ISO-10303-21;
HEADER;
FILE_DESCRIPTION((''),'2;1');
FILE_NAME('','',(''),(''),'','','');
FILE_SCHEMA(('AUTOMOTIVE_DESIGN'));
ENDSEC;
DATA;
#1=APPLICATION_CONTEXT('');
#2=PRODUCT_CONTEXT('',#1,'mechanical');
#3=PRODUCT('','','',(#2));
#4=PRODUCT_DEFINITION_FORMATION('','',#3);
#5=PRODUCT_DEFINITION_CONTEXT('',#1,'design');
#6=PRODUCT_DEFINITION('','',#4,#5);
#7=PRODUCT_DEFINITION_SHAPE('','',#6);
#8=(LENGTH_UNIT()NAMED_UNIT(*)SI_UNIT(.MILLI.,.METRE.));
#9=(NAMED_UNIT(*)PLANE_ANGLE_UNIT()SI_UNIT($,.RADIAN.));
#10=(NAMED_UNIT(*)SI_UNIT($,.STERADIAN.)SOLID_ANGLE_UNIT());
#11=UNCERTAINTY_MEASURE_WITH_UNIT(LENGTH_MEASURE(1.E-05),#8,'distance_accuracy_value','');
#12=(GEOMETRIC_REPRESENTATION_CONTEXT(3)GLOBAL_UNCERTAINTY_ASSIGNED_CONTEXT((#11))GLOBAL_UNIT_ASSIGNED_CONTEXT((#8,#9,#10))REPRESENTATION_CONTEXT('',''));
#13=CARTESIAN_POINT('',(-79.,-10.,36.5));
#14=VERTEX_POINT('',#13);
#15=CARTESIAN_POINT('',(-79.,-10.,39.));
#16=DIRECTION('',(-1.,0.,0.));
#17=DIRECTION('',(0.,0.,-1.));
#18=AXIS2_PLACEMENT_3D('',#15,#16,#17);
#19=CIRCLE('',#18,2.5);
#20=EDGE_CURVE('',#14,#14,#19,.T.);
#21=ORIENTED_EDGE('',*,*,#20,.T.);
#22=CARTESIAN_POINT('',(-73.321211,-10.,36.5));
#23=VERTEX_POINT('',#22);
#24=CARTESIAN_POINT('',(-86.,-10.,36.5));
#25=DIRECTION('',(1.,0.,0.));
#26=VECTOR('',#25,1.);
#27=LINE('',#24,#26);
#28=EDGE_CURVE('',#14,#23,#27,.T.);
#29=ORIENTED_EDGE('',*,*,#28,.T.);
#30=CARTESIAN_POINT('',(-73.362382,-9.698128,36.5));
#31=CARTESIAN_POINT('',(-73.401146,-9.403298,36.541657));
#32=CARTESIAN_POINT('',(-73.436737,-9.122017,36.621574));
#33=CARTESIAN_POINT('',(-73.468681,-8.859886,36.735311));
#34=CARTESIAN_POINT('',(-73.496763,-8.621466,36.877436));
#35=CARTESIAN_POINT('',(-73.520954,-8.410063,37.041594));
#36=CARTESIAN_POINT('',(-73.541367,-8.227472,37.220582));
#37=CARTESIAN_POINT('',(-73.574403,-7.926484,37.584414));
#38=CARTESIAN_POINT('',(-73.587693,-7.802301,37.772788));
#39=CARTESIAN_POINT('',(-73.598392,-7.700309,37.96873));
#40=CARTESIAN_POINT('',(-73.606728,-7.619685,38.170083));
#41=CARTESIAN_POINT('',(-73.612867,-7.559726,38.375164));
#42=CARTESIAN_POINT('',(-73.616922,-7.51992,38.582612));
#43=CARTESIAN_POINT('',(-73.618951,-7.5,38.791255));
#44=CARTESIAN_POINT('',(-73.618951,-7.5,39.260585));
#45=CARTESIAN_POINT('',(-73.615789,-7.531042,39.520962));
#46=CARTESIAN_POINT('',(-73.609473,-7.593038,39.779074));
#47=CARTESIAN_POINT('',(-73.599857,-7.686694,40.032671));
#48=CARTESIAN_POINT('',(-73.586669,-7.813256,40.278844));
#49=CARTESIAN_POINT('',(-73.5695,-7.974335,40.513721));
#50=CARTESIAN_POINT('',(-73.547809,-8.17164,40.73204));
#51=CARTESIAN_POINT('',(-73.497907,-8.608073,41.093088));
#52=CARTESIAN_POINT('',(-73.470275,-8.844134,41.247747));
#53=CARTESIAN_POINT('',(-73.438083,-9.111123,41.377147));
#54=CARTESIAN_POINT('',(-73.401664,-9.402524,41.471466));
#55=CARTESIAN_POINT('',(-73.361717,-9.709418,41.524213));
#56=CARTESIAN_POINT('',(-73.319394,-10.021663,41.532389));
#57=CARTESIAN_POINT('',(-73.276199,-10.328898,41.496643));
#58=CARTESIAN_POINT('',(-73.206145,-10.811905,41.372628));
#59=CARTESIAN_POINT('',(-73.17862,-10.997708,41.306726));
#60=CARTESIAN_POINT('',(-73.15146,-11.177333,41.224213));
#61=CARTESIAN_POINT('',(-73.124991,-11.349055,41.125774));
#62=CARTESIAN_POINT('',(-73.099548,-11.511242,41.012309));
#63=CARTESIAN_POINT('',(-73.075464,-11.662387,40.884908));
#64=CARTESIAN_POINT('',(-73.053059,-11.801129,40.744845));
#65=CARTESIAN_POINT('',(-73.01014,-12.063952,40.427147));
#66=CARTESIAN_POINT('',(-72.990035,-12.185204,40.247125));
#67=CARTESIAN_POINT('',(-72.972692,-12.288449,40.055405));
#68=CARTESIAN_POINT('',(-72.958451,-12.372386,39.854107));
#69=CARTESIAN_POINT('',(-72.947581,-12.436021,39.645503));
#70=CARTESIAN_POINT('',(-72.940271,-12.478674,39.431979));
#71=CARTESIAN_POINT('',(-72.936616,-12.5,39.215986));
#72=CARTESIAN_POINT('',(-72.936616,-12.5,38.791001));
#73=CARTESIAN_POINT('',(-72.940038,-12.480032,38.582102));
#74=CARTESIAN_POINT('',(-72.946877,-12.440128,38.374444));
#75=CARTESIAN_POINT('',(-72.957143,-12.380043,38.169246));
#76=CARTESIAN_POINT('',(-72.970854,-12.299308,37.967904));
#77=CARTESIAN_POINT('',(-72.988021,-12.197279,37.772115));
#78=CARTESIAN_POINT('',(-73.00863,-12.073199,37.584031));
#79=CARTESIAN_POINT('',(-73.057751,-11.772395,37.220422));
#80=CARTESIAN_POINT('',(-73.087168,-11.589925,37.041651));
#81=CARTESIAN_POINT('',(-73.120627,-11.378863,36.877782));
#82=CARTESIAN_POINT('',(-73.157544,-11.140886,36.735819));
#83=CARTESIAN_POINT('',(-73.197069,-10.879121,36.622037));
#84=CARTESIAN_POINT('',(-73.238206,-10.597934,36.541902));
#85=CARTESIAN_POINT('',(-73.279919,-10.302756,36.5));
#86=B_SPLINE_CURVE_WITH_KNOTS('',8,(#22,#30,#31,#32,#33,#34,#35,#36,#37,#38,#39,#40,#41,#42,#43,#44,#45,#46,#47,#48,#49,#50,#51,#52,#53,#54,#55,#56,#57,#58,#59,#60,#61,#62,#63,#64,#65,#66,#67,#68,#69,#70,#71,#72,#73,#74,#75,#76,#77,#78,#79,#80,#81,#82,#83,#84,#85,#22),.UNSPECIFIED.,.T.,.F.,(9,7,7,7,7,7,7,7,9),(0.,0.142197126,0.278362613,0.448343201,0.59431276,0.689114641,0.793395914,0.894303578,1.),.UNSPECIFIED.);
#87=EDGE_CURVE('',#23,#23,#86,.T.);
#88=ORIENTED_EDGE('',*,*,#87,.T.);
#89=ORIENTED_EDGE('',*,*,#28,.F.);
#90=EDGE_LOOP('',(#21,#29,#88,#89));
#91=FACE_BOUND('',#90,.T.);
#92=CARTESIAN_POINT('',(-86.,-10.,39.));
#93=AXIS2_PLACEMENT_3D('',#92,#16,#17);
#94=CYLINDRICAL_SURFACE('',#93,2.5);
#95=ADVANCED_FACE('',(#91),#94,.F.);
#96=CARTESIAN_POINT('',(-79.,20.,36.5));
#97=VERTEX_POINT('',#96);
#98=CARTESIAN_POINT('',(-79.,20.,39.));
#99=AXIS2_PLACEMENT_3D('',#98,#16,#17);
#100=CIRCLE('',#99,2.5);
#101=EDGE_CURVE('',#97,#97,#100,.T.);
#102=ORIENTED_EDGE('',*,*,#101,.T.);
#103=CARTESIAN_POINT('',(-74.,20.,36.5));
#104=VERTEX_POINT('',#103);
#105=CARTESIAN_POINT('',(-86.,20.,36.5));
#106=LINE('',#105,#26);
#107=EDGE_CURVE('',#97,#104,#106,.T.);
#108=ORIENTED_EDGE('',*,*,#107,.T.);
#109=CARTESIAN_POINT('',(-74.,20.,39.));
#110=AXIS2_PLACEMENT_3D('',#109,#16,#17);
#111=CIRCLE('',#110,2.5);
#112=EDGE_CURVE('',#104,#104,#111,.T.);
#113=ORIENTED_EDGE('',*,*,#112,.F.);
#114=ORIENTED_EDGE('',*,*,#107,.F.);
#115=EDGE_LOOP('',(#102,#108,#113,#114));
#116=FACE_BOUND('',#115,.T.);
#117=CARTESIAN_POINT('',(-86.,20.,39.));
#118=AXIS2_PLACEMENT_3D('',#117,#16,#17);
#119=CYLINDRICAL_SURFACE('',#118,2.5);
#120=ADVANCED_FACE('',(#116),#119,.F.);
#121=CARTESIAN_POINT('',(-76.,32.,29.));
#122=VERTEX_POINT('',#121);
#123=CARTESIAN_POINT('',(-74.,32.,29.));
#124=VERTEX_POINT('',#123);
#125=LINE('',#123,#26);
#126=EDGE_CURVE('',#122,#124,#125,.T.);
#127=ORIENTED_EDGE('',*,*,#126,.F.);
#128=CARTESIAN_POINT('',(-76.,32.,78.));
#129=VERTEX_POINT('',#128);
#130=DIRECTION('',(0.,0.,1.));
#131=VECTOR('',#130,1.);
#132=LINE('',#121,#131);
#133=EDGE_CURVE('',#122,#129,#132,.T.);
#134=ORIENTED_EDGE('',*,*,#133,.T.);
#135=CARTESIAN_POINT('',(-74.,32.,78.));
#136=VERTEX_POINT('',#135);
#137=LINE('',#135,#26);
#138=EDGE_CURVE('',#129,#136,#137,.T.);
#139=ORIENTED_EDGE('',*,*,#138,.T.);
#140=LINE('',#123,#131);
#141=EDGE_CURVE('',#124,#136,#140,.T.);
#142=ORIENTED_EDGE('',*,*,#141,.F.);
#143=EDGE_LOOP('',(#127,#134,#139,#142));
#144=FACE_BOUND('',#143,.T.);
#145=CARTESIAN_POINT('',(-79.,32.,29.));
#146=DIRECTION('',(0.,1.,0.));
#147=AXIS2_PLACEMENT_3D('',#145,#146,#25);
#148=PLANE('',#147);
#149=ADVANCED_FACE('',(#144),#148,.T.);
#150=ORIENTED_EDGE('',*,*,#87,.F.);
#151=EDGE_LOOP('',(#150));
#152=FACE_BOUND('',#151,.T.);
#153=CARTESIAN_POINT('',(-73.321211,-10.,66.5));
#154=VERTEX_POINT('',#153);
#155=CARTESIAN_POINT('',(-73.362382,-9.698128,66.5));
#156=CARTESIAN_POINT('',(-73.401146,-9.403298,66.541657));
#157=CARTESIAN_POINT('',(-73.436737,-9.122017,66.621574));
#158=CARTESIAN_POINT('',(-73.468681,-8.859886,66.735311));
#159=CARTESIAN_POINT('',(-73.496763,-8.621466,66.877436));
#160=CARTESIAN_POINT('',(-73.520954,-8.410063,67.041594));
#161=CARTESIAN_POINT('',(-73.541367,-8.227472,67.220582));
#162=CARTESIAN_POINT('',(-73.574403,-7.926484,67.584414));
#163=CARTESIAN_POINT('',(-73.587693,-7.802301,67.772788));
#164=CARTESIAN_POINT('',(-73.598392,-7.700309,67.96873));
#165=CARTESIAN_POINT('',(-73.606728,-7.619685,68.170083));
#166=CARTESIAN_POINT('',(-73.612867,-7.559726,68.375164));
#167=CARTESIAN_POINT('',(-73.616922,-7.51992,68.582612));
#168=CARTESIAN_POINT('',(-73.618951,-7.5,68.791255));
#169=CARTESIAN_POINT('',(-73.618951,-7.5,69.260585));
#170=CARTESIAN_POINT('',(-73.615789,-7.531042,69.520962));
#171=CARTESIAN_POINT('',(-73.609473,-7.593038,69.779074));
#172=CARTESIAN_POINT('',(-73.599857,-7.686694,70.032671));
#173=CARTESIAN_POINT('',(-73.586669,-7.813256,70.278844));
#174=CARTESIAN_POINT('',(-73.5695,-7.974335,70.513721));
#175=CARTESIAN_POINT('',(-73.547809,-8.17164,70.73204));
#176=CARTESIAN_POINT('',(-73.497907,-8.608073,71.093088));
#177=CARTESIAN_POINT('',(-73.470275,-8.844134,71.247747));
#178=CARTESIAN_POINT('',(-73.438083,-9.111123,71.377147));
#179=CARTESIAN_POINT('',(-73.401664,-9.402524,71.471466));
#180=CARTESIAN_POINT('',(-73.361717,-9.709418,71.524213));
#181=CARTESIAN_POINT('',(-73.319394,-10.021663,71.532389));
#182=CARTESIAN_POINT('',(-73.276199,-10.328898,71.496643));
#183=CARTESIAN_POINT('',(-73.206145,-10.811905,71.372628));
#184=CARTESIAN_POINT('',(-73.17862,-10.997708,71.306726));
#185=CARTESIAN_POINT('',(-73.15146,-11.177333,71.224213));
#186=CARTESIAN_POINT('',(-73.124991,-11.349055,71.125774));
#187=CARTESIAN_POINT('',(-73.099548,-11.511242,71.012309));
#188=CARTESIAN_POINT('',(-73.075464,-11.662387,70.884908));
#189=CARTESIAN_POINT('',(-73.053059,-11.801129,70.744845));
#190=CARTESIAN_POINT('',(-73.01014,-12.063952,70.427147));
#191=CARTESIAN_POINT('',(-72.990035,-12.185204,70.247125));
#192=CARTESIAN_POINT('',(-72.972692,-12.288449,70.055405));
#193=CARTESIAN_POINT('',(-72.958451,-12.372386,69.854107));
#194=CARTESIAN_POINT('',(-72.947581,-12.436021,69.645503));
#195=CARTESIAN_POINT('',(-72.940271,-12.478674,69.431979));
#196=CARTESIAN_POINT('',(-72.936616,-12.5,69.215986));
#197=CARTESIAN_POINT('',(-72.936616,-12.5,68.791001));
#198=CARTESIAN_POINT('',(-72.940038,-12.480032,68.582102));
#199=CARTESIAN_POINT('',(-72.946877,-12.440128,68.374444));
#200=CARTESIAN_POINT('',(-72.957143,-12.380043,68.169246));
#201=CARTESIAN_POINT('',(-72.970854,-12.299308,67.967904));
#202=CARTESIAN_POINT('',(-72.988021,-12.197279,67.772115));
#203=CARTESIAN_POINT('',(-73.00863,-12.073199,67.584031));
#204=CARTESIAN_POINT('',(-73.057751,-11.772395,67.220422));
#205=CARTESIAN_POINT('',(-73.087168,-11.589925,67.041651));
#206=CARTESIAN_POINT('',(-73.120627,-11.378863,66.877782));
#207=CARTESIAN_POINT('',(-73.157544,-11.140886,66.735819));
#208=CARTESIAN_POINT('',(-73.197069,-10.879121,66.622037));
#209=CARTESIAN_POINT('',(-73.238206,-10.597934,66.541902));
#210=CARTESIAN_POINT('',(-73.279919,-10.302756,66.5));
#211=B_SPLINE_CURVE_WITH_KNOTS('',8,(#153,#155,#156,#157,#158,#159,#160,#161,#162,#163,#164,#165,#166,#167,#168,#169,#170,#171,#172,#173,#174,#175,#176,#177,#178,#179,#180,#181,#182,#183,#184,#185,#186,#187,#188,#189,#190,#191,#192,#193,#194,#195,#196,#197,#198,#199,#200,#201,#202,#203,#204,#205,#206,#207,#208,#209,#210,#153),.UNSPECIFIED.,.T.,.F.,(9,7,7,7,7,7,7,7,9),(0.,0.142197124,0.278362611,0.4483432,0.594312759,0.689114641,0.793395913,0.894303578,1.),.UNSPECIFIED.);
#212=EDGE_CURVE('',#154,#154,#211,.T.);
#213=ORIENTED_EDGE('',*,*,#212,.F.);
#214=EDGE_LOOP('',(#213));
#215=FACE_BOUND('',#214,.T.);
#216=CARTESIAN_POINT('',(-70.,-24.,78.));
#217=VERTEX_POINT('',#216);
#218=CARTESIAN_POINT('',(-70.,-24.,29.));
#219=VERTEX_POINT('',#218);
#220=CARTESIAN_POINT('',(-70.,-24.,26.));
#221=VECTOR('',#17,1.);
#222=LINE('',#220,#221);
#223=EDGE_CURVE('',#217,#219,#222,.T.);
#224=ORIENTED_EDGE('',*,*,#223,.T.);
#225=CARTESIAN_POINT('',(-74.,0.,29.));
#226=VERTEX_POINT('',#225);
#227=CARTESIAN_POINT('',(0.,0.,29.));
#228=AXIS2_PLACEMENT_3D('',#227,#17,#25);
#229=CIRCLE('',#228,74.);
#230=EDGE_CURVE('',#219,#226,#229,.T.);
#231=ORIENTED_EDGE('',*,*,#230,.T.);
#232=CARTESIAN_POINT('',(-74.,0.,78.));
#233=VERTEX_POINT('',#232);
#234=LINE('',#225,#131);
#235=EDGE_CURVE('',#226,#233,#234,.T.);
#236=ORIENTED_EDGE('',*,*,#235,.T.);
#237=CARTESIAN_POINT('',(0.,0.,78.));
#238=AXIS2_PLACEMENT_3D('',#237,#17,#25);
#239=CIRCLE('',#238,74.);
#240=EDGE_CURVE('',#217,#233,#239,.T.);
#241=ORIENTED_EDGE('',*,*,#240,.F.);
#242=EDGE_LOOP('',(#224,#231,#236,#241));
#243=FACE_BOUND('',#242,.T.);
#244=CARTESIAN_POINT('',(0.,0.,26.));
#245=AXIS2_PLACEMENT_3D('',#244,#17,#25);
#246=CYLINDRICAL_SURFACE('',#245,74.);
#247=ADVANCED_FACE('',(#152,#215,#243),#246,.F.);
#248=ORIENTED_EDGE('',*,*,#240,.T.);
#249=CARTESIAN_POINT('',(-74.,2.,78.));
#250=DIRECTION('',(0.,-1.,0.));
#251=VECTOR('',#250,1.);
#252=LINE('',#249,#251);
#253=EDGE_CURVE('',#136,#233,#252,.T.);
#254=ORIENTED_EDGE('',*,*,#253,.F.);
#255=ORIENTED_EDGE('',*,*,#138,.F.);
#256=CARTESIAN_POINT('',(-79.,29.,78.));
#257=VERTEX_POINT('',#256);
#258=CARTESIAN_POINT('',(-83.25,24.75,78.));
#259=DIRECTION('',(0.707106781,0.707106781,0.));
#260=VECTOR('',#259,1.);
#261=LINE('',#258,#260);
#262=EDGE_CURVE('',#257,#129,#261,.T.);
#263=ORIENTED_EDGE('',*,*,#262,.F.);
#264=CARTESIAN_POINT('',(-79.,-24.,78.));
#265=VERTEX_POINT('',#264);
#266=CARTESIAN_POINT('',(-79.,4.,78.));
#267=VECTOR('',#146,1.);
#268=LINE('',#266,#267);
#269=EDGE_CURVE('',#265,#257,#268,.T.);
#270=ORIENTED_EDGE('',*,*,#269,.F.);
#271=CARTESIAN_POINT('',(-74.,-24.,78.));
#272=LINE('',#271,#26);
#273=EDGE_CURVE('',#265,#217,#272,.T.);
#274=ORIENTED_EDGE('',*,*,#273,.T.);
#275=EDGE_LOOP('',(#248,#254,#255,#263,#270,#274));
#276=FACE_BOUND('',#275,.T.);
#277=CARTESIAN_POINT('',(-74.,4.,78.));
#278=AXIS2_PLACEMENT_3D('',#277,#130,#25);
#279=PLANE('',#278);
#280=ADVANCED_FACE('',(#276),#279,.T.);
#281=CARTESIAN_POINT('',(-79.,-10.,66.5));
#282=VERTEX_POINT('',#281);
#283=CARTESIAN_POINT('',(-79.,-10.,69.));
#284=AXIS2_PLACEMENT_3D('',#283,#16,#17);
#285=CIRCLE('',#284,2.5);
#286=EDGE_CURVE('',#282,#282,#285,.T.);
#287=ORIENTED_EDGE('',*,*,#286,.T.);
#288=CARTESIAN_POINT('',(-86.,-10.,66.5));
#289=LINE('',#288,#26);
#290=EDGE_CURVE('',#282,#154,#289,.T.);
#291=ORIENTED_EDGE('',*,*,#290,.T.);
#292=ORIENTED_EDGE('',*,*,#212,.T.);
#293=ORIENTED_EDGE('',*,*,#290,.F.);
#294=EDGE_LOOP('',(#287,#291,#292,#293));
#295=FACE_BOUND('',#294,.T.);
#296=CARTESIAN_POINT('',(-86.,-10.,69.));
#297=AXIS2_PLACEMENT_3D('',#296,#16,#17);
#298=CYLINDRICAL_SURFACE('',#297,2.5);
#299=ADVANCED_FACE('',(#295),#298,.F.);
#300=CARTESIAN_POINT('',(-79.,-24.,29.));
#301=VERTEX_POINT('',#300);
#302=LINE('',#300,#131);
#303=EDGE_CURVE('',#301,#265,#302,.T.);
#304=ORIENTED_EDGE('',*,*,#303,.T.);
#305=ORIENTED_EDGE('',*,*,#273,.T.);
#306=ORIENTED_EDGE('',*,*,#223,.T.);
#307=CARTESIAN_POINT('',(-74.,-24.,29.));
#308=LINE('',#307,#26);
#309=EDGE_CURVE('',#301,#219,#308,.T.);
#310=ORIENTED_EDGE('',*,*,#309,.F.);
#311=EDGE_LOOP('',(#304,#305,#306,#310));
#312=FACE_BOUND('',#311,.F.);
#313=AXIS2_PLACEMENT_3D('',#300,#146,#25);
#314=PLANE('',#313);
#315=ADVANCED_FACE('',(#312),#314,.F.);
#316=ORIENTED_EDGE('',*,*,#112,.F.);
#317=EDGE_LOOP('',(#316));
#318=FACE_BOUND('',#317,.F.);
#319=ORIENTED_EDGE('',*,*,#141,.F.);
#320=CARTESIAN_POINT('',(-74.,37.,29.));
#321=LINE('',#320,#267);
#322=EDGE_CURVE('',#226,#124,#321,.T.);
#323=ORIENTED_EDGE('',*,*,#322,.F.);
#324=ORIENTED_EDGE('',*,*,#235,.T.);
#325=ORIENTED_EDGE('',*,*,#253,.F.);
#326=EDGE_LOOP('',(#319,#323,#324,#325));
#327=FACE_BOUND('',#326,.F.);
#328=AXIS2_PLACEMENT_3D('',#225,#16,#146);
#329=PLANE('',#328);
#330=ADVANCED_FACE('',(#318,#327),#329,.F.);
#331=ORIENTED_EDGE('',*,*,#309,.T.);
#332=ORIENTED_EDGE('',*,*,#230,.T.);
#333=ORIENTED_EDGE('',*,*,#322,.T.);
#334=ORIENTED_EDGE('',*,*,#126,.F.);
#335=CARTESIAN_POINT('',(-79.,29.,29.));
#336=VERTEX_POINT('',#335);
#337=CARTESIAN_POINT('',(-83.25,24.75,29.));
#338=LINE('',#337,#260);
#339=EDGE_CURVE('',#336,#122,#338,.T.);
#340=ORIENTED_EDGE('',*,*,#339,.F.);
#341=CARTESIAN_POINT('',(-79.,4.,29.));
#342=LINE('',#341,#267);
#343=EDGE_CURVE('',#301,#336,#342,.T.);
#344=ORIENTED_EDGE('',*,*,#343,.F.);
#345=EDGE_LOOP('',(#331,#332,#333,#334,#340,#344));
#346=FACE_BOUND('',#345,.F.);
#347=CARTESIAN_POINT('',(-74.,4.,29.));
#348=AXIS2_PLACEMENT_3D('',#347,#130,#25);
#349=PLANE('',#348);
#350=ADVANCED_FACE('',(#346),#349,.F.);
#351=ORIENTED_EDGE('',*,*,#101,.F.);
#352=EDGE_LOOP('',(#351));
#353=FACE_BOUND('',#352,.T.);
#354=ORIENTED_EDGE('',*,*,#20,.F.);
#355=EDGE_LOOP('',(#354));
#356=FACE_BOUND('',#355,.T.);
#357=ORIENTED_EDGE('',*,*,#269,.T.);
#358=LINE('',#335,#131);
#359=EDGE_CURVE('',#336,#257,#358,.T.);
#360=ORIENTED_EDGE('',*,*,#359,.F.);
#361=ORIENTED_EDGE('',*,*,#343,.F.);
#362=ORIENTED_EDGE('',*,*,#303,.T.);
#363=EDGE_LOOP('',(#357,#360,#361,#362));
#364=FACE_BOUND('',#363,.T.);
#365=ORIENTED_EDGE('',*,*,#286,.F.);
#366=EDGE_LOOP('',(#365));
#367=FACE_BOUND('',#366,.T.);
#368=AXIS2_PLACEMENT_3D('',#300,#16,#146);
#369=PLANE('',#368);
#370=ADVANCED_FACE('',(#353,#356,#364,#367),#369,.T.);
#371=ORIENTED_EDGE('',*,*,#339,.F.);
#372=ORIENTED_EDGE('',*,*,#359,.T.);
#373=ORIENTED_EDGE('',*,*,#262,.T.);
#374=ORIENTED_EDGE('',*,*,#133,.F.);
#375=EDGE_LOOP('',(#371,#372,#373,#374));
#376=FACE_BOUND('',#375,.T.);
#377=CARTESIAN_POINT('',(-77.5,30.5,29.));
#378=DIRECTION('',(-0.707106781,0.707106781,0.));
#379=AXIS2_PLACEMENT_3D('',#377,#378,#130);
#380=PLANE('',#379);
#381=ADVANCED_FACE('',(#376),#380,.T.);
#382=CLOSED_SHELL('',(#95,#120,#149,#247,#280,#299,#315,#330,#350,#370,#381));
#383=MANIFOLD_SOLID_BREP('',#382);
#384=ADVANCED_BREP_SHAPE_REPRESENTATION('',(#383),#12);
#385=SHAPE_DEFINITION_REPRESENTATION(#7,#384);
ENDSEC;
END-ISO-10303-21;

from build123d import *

# Parameters (mm, degrees)
BOX750_W           = 148
BOX750_H           = 74
BOX750_DEPTH       = 55
CYLINDER1790_R     = 74
CYLINDER1790_DEPTH = 60
CYLINDER1795_R     = 2.5
CYLINDER1795_DEPTH = 40
CYLINDER1791_R     = 2.5
CYLINDER1791_DEPTH = 40
CYLINDER1794_R     = 2.5
CYLINDER1794_DEPTH = 40
BOX755_W           = 10
BOX755_H           = 56
BOX755_DEPTH       = 49
CHAMFER061_SIZE    = 3


with BuildPart() as krychle750:
    # Box750 → Box750 (new body)
    with BuildSketch(Plane(origin=(-74, 0, 29), x_dir=(1, 0, 0), z_dir=(0, 0, 1))):
        with Locations((74, 37)):
            Rectangle(BOX750_W, BOX750_H)
    extrude(amount=BOX750_DEPTH)


with BuildPart() as v_lec1790:
    # Cylinder1790 → Cylinder1790 (new body)
    with BuildSketch(Plane.XY.offset(26)):
        Circle(CYLINDER1790_R)
    extrude(amount=CYLINDER1790_DEPTH)


with BuildPart() as v_lec1795:
    # Cylinder1795 → Cylinder1795 (new body)
    with BuildSketch(Plane(origin=(-86, 20, 39), x_dir=(0, 0, -1), z_dir=(1, 0, 0))):
        Circle(CYLINDER1795_R)
    extrude(amount=CYLINDER1795_DEPTH)


with BuildPart() as v_lec1791:
    # Cylinder1791 → Cylinder1791 (new body)
    with BuildSketch(Plane(origin=(-86, -10, 69), x_dir=(0, 0, -1), z_dir=(1, 0, 0))):
        Circle(CYLINDER1791_R)
    extrude(amount=CYLINDER1791_DEPTH)


with BuildPart() as compound910:
    # Cylinder1794 → Cylinder1794 (new body)
    with BuildSketch(Plane(origin=(-86, -10, 39), x_dir=(0, 0, -1), z_dir=(1, 0, 0))):
        Circle(CYLINDER1794_R)
    extrude(amount=CYLINDER1794_DEPTH)

    # Compound910: union Válec1795, Válec1791
    add(v_lec1795.part)
    add(v_lec1791.part)


with BuildPart() as cut551:
    # Box755 → Box755 (new body)
    with BuildSketch(Plane(origin=(-79, -24, 29), x_dir=(1, 0, 0), z_dir=(0, 0, 1))):
        with Locations((5, 28)):
            Rectangle(BOX755_W, BOX755_H)
    extrude(amount=BOX755_DEPTH)

    # Chamfer061
    chamfer061_edges = [cut551.edges().sort_by_distance(p)[0] for p in [
        (-79, 32, 53.5),
    ]]
    chamfer(chamfer061_edges, length=CHAMFER061_SIZE)

    # Cut549: cut Compound910
    add(compound910.part, mode=Mode.SUBTRACT)

    # Cut550: cut Válec1790
    add(v_lec1790.part, mode=Mode.SUBTRACT)

    # Cut551: cut Krychle750
    add(krychle750.part, mode=Mode.SUBTRACT)


solid = cut551.part
